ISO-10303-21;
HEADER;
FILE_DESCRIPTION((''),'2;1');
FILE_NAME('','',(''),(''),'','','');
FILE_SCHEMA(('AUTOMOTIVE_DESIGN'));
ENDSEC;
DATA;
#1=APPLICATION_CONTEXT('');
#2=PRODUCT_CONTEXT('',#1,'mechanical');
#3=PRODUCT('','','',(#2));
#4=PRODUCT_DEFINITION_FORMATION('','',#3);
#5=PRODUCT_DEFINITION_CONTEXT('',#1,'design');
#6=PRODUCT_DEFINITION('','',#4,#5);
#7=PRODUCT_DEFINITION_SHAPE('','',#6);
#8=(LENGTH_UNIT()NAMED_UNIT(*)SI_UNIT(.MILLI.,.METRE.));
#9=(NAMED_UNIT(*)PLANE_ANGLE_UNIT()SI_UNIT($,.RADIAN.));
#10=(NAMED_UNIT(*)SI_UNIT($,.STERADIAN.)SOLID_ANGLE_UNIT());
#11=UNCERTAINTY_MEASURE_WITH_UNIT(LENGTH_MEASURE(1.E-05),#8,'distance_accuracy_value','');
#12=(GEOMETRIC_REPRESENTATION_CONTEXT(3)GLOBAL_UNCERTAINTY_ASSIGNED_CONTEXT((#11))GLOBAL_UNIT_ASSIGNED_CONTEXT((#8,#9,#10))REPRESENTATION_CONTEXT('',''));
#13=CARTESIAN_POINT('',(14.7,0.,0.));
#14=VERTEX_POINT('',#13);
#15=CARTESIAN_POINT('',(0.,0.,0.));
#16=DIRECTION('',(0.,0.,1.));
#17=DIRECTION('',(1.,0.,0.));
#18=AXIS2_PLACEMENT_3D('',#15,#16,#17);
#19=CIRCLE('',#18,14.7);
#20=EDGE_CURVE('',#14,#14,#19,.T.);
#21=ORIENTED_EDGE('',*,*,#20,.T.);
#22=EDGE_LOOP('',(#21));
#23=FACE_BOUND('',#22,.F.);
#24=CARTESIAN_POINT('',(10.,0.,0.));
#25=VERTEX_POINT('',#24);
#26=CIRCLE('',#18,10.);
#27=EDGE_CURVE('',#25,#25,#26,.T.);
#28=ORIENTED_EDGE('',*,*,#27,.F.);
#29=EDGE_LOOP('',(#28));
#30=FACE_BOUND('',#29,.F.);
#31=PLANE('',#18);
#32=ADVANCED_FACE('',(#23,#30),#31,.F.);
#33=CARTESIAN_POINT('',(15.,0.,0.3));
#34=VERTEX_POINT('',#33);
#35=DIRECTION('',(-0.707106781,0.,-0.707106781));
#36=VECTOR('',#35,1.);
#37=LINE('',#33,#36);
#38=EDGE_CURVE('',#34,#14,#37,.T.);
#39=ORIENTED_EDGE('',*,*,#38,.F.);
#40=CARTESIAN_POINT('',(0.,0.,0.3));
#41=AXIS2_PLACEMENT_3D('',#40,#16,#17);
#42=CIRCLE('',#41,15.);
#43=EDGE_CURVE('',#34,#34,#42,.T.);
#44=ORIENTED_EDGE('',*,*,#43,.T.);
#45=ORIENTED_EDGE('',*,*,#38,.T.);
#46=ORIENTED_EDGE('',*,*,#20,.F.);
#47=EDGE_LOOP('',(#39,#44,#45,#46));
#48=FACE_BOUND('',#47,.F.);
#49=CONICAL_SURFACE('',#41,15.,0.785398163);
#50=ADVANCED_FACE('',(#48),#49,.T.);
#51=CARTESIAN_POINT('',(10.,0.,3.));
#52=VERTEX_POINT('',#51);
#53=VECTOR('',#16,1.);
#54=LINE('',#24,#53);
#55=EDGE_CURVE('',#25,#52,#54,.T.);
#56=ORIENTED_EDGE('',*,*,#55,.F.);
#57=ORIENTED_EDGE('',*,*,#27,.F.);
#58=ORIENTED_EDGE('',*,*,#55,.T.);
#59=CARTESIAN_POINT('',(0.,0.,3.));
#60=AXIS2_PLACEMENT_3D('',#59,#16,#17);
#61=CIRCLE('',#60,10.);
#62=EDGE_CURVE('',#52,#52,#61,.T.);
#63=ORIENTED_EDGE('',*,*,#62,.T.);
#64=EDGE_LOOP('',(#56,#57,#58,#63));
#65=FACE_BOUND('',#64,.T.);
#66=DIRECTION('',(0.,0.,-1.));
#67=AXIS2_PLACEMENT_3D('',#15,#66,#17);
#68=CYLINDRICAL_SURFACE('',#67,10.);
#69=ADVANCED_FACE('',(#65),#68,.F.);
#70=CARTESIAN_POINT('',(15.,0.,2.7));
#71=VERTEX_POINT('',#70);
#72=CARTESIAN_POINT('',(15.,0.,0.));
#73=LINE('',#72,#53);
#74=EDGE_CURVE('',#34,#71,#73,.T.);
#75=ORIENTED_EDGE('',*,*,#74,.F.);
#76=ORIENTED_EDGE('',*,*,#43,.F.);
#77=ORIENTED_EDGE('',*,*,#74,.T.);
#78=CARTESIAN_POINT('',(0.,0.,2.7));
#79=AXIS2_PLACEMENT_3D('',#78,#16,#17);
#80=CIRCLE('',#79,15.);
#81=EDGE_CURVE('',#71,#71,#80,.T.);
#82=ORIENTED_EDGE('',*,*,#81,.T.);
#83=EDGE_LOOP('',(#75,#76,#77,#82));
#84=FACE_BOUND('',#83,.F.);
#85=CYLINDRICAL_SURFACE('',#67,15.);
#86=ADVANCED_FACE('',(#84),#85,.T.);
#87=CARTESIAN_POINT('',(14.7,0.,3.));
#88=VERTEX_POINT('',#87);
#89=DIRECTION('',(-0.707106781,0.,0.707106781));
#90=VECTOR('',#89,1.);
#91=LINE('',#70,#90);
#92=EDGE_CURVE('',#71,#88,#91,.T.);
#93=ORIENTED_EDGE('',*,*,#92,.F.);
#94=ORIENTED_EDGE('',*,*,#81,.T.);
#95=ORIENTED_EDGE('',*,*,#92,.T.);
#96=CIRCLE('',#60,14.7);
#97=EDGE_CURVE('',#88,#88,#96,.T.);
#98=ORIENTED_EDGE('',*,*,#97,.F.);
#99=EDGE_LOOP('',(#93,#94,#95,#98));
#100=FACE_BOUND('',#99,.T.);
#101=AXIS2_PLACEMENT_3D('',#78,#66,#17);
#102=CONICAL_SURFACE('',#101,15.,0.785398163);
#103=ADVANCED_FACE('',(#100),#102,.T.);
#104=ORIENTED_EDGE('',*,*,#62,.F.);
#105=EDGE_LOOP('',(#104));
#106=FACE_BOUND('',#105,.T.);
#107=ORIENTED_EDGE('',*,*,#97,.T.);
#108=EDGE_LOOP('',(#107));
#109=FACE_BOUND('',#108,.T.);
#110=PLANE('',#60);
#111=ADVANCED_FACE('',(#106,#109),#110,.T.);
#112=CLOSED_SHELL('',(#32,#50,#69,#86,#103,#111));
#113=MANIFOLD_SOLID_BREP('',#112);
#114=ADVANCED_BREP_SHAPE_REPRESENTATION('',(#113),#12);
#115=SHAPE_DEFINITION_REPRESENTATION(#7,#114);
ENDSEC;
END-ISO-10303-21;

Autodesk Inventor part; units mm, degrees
ref_plane "YZ Plane" through (0, 0, 0) normal (1, 0, 0) x (0, 1, 0)
ref_plane "XZ Plane" through (0, 0, 0) normal (0, 1, 0) x (-1, 0, 0)
ref_plane "XY Plane" through (0, 0, 0) normal (0, 0, 1) x (1, 0, 0)
sketch "Esboço1" plane through (0, 0, 0) normal (0, 0, 1) x (1, 0, 0)
  circle A0 centre (0, 0) radius 10
  circle A1 centre (0, 0) radius 15
  dimension "d0" = 20
  dimension "d1" = 30
extrude "Extrusão1" add sketch "Esboço1" along normal blind 3
chamfer "Chanfro2" distance 0.3 angle 45 2 edges at (-15, 0, 3) (-15, 0, 0)
